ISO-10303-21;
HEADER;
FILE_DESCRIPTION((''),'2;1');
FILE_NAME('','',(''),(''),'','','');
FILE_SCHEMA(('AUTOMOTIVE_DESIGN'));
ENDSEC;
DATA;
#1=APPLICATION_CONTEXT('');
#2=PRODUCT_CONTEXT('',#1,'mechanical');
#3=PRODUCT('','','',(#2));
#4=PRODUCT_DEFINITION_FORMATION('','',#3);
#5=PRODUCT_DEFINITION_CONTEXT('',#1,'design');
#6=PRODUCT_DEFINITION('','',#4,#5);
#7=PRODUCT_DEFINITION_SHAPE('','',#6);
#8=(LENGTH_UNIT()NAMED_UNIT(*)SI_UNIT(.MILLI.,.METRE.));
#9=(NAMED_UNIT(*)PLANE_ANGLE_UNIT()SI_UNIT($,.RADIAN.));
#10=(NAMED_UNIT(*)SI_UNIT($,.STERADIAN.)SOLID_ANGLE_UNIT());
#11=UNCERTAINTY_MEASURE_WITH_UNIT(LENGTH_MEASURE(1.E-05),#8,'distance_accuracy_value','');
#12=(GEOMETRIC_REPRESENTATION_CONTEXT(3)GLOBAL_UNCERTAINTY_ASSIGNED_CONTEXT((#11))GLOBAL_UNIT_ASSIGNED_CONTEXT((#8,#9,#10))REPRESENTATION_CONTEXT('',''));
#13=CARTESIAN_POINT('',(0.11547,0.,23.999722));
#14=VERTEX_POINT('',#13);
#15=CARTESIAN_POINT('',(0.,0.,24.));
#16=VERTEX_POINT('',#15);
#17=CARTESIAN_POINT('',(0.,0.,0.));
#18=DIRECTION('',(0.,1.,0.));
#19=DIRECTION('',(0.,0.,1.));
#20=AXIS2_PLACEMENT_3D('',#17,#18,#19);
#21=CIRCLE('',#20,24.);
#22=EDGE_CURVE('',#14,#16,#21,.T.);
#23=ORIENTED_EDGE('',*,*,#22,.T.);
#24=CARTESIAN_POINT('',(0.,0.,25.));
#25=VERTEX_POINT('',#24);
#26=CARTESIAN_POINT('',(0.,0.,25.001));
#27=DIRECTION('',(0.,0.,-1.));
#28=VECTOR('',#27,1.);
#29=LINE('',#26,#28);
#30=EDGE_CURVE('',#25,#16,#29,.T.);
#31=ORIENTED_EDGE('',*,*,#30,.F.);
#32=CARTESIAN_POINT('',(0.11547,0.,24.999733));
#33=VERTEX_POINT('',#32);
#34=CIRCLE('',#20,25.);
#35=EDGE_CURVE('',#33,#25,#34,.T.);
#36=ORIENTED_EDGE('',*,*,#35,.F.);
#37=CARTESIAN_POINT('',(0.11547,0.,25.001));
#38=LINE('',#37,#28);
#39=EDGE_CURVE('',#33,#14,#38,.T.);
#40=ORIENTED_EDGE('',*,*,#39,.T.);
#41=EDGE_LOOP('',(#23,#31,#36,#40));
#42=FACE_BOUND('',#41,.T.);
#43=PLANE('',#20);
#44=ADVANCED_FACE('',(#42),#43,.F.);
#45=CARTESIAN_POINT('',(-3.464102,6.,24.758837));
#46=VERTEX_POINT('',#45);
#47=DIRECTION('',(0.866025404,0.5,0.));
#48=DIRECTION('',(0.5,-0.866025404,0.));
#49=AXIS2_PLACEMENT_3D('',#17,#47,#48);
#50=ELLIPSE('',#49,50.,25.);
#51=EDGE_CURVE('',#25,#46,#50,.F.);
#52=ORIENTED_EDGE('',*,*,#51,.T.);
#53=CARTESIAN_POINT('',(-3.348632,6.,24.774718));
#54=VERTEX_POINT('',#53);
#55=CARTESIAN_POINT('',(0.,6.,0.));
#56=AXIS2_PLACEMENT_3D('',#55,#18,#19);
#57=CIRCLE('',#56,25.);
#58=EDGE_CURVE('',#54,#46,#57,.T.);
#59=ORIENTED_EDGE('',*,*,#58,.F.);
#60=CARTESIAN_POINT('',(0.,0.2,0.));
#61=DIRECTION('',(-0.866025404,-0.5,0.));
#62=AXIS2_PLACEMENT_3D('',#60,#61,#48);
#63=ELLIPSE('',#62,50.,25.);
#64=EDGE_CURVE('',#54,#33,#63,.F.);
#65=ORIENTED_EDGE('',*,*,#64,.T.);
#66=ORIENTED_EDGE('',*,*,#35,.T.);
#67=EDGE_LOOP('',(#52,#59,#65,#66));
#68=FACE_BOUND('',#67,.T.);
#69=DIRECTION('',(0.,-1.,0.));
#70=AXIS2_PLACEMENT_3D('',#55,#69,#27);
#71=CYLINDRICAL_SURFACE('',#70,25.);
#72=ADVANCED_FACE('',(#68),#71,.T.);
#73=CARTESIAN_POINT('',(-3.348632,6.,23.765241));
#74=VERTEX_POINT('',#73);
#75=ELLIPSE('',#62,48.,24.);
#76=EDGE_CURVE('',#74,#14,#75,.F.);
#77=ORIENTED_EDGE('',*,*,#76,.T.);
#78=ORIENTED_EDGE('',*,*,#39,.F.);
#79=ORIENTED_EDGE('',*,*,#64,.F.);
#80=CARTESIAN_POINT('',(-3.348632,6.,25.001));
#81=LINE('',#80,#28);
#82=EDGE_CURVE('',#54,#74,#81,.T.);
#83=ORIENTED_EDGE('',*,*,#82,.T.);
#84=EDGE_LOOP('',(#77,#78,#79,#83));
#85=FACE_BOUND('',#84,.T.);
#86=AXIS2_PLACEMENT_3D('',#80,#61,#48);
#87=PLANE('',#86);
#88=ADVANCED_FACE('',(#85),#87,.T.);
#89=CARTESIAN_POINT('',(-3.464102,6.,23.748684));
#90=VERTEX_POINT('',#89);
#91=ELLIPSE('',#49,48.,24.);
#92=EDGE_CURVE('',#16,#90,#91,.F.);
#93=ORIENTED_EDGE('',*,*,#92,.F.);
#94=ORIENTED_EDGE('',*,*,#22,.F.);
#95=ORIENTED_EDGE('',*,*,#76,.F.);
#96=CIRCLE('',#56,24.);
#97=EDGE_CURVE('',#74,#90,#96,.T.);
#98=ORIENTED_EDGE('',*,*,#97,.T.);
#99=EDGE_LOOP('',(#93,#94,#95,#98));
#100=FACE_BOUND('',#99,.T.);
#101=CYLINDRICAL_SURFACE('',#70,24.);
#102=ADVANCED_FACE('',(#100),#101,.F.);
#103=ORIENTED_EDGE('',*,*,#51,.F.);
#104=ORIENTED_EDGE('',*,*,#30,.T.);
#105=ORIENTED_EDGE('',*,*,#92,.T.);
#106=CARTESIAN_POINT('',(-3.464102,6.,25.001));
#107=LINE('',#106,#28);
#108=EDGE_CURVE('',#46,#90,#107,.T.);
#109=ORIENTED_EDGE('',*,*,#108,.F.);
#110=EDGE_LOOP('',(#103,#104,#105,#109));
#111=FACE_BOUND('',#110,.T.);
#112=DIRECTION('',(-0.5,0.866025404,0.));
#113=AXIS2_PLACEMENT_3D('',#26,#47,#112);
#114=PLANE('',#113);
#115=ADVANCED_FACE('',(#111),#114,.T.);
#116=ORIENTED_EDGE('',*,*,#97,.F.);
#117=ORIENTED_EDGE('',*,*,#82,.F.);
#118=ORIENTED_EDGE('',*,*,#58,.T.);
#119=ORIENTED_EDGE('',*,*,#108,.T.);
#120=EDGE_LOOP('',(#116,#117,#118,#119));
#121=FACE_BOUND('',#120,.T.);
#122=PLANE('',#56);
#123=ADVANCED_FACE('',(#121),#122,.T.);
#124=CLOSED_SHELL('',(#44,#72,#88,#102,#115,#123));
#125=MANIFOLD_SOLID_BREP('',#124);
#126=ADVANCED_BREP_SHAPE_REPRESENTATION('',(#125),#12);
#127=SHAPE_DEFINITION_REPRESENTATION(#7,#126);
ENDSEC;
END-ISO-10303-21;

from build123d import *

# Parameters (mm, degrees)
SKETCH1_R           = 25
SKETCH1_R_2         = 24
BOSS_EXTRUDE1_DEPTH = 6
CUT_EXTRUDE1_REACH  = 37.861


with BuildPart() as part:
    # Sketch1 → Boss-Extrude1 (new body)
    with BuildSketch(Plane(origin=(0, 0, 0), x_dir=(1, 0, 0), z_dir=(0, 1, 0))):
        with Locations(Location((0, 0, 0), (0, 0, 270))):
            Circle(SKETCH1_R)
        with Locations(Location((0, 0, 0), (0, 0, 270))):
            Circle(SKETCH1_R_2, mode=Mode.SUBTRACT)
    extrude(amount=BOSS_EXTRUDE1_DEPTH)

    # Sketch2 → Cut-Extrude1 (cut, up to next)
    with BuildSketch(Plane.XY, mode=Mode.PRIVATE) as cut_extrude1_sk1:
        Polygon((0, 0), (-3.464101615, 6), (-3.348631561, 6), (0.115470054, 0), align=None)
    cut_extrude1_tool1 = extrude(cut_extrude1_sk1.sketch, amount=CUT_EXTRUDE1_REACH, mode=Mode.PRIVATE) & part.part
    add(cut_extrude1_tool1.solids().sort_by_distance((-1.674316, 3, 0))[0], mode=Mode.SUBTRACT)


solid = part.part
